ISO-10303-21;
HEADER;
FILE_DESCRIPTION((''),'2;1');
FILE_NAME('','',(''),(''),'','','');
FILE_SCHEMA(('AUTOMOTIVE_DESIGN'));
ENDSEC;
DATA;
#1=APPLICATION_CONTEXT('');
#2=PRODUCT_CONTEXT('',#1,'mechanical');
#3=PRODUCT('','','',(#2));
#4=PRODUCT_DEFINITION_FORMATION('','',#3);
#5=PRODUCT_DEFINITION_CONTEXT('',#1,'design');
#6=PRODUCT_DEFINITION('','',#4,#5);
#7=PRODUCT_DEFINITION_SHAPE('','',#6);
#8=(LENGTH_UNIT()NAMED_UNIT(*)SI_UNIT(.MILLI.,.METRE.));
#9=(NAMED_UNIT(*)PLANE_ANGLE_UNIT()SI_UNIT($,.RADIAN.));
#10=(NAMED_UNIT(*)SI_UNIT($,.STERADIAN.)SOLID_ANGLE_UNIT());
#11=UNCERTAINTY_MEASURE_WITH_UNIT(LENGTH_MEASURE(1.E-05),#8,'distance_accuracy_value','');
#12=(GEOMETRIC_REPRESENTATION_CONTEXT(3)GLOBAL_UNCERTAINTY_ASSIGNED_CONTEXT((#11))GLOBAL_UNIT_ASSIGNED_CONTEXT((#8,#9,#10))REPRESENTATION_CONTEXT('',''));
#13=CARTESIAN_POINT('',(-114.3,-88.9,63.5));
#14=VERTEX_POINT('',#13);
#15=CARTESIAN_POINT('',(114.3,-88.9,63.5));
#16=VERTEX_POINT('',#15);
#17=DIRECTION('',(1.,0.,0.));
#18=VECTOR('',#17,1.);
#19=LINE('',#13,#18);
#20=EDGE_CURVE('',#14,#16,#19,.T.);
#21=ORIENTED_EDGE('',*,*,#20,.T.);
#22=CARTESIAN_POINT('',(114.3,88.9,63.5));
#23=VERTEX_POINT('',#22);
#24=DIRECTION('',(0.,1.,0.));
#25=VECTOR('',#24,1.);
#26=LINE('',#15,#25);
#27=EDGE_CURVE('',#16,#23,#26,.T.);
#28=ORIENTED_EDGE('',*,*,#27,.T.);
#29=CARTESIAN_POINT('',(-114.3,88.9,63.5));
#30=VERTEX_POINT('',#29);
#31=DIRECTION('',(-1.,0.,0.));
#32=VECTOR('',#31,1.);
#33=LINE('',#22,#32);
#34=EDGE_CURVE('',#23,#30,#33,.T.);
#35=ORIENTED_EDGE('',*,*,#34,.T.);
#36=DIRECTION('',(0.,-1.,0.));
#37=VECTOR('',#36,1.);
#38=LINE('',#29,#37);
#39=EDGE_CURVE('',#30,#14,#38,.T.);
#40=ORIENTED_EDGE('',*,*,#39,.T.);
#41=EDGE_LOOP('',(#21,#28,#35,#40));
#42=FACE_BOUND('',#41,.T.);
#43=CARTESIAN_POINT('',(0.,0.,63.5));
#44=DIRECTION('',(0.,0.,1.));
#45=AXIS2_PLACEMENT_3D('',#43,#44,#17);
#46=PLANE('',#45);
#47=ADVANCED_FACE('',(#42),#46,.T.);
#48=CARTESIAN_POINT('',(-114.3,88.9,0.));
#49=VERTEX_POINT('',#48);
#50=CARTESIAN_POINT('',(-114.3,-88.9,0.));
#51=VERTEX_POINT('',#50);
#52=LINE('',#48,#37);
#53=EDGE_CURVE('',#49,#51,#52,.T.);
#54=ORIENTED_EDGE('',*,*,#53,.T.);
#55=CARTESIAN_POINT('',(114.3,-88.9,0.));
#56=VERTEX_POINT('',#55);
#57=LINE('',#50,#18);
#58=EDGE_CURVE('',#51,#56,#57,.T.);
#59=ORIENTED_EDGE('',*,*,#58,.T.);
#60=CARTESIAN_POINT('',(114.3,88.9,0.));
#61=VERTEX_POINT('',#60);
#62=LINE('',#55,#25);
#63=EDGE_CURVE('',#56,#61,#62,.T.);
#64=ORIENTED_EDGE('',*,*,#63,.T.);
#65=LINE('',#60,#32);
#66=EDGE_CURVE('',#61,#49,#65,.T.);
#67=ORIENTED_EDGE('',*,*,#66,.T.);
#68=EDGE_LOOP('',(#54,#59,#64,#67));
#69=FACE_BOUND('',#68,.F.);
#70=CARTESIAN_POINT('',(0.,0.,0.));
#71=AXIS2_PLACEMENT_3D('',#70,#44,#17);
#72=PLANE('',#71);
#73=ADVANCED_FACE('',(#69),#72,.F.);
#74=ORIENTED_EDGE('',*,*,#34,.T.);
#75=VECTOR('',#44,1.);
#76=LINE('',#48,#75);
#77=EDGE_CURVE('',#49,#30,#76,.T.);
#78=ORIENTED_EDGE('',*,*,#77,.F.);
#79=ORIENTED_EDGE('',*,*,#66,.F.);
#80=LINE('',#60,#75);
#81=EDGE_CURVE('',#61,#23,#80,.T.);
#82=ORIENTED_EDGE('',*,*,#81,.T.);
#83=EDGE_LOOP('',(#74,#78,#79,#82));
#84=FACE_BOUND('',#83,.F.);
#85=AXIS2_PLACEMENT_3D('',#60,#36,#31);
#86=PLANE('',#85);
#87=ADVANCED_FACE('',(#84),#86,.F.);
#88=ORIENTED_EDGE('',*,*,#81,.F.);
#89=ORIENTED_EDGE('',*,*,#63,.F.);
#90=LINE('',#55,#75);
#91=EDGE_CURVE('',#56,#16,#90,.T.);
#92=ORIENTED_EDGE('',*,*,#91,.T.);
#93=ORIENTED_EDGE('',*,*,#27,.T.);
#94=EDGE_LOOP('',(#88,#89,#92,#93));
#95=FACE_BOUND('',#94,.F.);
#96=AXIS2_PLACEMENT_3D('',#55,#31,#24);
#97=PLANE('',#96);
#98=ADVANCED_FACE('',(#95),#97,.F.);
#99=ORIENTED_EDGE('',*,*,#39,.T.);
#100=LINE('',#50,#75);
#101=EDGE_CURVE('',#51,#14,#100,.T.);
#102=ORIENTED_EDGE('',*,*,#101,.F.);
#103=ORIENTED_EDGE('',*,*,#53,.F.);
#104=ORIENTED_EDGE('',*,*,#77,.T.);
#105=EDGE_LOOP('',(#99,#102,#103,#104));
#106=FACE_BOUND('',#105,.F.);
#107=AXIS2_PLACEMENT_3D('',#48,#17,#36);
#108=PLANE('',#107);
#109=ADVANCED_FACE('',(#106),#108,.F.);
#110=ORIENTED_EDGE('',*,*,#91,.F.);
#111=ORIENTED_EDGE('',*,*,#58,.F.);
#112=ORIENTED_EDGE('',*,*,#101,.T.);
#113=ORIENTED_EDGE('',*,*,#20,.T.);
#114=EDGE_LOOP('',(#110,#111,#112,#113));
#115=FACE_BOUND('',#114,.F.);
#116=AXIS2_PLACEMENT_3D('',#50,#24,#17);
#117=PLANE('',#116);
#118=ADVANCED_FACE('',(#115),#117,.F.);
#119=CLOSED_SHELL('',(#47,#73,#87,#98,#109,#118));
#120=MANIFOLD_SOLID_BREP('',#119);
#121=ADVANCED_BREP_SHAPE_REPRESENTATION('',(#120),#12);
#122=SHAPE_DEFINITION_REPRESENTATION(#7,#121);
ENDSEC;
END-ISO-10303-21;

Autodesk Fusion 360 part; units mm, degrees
sketch "Sketch1" plane through (0, 0, 0) normal (0, 0, 1) x (1, 0, 0)
  line L0 (114.3, 88.9) -> (-114.3, 88.9)
  line L1 (-114.3, 88.9) -> (-114.3, -88.9)
  line L2 (-114.3, -88.9) -> (114.3, -88.9)
  line L3 (114.3, -88.9) -> (114.3, 88.9)
  line L4 (114.3, 88.9) -> (-114.3, -88.9) construction
  line L5 (-114.3, 88.9) -> (114.3, -88.9) construction
  dimension "d1" = 228.6
  dimension "d2" = 177.8
extrude "Extrude1" add sketch "Sketch1" along normal blind 63.5
